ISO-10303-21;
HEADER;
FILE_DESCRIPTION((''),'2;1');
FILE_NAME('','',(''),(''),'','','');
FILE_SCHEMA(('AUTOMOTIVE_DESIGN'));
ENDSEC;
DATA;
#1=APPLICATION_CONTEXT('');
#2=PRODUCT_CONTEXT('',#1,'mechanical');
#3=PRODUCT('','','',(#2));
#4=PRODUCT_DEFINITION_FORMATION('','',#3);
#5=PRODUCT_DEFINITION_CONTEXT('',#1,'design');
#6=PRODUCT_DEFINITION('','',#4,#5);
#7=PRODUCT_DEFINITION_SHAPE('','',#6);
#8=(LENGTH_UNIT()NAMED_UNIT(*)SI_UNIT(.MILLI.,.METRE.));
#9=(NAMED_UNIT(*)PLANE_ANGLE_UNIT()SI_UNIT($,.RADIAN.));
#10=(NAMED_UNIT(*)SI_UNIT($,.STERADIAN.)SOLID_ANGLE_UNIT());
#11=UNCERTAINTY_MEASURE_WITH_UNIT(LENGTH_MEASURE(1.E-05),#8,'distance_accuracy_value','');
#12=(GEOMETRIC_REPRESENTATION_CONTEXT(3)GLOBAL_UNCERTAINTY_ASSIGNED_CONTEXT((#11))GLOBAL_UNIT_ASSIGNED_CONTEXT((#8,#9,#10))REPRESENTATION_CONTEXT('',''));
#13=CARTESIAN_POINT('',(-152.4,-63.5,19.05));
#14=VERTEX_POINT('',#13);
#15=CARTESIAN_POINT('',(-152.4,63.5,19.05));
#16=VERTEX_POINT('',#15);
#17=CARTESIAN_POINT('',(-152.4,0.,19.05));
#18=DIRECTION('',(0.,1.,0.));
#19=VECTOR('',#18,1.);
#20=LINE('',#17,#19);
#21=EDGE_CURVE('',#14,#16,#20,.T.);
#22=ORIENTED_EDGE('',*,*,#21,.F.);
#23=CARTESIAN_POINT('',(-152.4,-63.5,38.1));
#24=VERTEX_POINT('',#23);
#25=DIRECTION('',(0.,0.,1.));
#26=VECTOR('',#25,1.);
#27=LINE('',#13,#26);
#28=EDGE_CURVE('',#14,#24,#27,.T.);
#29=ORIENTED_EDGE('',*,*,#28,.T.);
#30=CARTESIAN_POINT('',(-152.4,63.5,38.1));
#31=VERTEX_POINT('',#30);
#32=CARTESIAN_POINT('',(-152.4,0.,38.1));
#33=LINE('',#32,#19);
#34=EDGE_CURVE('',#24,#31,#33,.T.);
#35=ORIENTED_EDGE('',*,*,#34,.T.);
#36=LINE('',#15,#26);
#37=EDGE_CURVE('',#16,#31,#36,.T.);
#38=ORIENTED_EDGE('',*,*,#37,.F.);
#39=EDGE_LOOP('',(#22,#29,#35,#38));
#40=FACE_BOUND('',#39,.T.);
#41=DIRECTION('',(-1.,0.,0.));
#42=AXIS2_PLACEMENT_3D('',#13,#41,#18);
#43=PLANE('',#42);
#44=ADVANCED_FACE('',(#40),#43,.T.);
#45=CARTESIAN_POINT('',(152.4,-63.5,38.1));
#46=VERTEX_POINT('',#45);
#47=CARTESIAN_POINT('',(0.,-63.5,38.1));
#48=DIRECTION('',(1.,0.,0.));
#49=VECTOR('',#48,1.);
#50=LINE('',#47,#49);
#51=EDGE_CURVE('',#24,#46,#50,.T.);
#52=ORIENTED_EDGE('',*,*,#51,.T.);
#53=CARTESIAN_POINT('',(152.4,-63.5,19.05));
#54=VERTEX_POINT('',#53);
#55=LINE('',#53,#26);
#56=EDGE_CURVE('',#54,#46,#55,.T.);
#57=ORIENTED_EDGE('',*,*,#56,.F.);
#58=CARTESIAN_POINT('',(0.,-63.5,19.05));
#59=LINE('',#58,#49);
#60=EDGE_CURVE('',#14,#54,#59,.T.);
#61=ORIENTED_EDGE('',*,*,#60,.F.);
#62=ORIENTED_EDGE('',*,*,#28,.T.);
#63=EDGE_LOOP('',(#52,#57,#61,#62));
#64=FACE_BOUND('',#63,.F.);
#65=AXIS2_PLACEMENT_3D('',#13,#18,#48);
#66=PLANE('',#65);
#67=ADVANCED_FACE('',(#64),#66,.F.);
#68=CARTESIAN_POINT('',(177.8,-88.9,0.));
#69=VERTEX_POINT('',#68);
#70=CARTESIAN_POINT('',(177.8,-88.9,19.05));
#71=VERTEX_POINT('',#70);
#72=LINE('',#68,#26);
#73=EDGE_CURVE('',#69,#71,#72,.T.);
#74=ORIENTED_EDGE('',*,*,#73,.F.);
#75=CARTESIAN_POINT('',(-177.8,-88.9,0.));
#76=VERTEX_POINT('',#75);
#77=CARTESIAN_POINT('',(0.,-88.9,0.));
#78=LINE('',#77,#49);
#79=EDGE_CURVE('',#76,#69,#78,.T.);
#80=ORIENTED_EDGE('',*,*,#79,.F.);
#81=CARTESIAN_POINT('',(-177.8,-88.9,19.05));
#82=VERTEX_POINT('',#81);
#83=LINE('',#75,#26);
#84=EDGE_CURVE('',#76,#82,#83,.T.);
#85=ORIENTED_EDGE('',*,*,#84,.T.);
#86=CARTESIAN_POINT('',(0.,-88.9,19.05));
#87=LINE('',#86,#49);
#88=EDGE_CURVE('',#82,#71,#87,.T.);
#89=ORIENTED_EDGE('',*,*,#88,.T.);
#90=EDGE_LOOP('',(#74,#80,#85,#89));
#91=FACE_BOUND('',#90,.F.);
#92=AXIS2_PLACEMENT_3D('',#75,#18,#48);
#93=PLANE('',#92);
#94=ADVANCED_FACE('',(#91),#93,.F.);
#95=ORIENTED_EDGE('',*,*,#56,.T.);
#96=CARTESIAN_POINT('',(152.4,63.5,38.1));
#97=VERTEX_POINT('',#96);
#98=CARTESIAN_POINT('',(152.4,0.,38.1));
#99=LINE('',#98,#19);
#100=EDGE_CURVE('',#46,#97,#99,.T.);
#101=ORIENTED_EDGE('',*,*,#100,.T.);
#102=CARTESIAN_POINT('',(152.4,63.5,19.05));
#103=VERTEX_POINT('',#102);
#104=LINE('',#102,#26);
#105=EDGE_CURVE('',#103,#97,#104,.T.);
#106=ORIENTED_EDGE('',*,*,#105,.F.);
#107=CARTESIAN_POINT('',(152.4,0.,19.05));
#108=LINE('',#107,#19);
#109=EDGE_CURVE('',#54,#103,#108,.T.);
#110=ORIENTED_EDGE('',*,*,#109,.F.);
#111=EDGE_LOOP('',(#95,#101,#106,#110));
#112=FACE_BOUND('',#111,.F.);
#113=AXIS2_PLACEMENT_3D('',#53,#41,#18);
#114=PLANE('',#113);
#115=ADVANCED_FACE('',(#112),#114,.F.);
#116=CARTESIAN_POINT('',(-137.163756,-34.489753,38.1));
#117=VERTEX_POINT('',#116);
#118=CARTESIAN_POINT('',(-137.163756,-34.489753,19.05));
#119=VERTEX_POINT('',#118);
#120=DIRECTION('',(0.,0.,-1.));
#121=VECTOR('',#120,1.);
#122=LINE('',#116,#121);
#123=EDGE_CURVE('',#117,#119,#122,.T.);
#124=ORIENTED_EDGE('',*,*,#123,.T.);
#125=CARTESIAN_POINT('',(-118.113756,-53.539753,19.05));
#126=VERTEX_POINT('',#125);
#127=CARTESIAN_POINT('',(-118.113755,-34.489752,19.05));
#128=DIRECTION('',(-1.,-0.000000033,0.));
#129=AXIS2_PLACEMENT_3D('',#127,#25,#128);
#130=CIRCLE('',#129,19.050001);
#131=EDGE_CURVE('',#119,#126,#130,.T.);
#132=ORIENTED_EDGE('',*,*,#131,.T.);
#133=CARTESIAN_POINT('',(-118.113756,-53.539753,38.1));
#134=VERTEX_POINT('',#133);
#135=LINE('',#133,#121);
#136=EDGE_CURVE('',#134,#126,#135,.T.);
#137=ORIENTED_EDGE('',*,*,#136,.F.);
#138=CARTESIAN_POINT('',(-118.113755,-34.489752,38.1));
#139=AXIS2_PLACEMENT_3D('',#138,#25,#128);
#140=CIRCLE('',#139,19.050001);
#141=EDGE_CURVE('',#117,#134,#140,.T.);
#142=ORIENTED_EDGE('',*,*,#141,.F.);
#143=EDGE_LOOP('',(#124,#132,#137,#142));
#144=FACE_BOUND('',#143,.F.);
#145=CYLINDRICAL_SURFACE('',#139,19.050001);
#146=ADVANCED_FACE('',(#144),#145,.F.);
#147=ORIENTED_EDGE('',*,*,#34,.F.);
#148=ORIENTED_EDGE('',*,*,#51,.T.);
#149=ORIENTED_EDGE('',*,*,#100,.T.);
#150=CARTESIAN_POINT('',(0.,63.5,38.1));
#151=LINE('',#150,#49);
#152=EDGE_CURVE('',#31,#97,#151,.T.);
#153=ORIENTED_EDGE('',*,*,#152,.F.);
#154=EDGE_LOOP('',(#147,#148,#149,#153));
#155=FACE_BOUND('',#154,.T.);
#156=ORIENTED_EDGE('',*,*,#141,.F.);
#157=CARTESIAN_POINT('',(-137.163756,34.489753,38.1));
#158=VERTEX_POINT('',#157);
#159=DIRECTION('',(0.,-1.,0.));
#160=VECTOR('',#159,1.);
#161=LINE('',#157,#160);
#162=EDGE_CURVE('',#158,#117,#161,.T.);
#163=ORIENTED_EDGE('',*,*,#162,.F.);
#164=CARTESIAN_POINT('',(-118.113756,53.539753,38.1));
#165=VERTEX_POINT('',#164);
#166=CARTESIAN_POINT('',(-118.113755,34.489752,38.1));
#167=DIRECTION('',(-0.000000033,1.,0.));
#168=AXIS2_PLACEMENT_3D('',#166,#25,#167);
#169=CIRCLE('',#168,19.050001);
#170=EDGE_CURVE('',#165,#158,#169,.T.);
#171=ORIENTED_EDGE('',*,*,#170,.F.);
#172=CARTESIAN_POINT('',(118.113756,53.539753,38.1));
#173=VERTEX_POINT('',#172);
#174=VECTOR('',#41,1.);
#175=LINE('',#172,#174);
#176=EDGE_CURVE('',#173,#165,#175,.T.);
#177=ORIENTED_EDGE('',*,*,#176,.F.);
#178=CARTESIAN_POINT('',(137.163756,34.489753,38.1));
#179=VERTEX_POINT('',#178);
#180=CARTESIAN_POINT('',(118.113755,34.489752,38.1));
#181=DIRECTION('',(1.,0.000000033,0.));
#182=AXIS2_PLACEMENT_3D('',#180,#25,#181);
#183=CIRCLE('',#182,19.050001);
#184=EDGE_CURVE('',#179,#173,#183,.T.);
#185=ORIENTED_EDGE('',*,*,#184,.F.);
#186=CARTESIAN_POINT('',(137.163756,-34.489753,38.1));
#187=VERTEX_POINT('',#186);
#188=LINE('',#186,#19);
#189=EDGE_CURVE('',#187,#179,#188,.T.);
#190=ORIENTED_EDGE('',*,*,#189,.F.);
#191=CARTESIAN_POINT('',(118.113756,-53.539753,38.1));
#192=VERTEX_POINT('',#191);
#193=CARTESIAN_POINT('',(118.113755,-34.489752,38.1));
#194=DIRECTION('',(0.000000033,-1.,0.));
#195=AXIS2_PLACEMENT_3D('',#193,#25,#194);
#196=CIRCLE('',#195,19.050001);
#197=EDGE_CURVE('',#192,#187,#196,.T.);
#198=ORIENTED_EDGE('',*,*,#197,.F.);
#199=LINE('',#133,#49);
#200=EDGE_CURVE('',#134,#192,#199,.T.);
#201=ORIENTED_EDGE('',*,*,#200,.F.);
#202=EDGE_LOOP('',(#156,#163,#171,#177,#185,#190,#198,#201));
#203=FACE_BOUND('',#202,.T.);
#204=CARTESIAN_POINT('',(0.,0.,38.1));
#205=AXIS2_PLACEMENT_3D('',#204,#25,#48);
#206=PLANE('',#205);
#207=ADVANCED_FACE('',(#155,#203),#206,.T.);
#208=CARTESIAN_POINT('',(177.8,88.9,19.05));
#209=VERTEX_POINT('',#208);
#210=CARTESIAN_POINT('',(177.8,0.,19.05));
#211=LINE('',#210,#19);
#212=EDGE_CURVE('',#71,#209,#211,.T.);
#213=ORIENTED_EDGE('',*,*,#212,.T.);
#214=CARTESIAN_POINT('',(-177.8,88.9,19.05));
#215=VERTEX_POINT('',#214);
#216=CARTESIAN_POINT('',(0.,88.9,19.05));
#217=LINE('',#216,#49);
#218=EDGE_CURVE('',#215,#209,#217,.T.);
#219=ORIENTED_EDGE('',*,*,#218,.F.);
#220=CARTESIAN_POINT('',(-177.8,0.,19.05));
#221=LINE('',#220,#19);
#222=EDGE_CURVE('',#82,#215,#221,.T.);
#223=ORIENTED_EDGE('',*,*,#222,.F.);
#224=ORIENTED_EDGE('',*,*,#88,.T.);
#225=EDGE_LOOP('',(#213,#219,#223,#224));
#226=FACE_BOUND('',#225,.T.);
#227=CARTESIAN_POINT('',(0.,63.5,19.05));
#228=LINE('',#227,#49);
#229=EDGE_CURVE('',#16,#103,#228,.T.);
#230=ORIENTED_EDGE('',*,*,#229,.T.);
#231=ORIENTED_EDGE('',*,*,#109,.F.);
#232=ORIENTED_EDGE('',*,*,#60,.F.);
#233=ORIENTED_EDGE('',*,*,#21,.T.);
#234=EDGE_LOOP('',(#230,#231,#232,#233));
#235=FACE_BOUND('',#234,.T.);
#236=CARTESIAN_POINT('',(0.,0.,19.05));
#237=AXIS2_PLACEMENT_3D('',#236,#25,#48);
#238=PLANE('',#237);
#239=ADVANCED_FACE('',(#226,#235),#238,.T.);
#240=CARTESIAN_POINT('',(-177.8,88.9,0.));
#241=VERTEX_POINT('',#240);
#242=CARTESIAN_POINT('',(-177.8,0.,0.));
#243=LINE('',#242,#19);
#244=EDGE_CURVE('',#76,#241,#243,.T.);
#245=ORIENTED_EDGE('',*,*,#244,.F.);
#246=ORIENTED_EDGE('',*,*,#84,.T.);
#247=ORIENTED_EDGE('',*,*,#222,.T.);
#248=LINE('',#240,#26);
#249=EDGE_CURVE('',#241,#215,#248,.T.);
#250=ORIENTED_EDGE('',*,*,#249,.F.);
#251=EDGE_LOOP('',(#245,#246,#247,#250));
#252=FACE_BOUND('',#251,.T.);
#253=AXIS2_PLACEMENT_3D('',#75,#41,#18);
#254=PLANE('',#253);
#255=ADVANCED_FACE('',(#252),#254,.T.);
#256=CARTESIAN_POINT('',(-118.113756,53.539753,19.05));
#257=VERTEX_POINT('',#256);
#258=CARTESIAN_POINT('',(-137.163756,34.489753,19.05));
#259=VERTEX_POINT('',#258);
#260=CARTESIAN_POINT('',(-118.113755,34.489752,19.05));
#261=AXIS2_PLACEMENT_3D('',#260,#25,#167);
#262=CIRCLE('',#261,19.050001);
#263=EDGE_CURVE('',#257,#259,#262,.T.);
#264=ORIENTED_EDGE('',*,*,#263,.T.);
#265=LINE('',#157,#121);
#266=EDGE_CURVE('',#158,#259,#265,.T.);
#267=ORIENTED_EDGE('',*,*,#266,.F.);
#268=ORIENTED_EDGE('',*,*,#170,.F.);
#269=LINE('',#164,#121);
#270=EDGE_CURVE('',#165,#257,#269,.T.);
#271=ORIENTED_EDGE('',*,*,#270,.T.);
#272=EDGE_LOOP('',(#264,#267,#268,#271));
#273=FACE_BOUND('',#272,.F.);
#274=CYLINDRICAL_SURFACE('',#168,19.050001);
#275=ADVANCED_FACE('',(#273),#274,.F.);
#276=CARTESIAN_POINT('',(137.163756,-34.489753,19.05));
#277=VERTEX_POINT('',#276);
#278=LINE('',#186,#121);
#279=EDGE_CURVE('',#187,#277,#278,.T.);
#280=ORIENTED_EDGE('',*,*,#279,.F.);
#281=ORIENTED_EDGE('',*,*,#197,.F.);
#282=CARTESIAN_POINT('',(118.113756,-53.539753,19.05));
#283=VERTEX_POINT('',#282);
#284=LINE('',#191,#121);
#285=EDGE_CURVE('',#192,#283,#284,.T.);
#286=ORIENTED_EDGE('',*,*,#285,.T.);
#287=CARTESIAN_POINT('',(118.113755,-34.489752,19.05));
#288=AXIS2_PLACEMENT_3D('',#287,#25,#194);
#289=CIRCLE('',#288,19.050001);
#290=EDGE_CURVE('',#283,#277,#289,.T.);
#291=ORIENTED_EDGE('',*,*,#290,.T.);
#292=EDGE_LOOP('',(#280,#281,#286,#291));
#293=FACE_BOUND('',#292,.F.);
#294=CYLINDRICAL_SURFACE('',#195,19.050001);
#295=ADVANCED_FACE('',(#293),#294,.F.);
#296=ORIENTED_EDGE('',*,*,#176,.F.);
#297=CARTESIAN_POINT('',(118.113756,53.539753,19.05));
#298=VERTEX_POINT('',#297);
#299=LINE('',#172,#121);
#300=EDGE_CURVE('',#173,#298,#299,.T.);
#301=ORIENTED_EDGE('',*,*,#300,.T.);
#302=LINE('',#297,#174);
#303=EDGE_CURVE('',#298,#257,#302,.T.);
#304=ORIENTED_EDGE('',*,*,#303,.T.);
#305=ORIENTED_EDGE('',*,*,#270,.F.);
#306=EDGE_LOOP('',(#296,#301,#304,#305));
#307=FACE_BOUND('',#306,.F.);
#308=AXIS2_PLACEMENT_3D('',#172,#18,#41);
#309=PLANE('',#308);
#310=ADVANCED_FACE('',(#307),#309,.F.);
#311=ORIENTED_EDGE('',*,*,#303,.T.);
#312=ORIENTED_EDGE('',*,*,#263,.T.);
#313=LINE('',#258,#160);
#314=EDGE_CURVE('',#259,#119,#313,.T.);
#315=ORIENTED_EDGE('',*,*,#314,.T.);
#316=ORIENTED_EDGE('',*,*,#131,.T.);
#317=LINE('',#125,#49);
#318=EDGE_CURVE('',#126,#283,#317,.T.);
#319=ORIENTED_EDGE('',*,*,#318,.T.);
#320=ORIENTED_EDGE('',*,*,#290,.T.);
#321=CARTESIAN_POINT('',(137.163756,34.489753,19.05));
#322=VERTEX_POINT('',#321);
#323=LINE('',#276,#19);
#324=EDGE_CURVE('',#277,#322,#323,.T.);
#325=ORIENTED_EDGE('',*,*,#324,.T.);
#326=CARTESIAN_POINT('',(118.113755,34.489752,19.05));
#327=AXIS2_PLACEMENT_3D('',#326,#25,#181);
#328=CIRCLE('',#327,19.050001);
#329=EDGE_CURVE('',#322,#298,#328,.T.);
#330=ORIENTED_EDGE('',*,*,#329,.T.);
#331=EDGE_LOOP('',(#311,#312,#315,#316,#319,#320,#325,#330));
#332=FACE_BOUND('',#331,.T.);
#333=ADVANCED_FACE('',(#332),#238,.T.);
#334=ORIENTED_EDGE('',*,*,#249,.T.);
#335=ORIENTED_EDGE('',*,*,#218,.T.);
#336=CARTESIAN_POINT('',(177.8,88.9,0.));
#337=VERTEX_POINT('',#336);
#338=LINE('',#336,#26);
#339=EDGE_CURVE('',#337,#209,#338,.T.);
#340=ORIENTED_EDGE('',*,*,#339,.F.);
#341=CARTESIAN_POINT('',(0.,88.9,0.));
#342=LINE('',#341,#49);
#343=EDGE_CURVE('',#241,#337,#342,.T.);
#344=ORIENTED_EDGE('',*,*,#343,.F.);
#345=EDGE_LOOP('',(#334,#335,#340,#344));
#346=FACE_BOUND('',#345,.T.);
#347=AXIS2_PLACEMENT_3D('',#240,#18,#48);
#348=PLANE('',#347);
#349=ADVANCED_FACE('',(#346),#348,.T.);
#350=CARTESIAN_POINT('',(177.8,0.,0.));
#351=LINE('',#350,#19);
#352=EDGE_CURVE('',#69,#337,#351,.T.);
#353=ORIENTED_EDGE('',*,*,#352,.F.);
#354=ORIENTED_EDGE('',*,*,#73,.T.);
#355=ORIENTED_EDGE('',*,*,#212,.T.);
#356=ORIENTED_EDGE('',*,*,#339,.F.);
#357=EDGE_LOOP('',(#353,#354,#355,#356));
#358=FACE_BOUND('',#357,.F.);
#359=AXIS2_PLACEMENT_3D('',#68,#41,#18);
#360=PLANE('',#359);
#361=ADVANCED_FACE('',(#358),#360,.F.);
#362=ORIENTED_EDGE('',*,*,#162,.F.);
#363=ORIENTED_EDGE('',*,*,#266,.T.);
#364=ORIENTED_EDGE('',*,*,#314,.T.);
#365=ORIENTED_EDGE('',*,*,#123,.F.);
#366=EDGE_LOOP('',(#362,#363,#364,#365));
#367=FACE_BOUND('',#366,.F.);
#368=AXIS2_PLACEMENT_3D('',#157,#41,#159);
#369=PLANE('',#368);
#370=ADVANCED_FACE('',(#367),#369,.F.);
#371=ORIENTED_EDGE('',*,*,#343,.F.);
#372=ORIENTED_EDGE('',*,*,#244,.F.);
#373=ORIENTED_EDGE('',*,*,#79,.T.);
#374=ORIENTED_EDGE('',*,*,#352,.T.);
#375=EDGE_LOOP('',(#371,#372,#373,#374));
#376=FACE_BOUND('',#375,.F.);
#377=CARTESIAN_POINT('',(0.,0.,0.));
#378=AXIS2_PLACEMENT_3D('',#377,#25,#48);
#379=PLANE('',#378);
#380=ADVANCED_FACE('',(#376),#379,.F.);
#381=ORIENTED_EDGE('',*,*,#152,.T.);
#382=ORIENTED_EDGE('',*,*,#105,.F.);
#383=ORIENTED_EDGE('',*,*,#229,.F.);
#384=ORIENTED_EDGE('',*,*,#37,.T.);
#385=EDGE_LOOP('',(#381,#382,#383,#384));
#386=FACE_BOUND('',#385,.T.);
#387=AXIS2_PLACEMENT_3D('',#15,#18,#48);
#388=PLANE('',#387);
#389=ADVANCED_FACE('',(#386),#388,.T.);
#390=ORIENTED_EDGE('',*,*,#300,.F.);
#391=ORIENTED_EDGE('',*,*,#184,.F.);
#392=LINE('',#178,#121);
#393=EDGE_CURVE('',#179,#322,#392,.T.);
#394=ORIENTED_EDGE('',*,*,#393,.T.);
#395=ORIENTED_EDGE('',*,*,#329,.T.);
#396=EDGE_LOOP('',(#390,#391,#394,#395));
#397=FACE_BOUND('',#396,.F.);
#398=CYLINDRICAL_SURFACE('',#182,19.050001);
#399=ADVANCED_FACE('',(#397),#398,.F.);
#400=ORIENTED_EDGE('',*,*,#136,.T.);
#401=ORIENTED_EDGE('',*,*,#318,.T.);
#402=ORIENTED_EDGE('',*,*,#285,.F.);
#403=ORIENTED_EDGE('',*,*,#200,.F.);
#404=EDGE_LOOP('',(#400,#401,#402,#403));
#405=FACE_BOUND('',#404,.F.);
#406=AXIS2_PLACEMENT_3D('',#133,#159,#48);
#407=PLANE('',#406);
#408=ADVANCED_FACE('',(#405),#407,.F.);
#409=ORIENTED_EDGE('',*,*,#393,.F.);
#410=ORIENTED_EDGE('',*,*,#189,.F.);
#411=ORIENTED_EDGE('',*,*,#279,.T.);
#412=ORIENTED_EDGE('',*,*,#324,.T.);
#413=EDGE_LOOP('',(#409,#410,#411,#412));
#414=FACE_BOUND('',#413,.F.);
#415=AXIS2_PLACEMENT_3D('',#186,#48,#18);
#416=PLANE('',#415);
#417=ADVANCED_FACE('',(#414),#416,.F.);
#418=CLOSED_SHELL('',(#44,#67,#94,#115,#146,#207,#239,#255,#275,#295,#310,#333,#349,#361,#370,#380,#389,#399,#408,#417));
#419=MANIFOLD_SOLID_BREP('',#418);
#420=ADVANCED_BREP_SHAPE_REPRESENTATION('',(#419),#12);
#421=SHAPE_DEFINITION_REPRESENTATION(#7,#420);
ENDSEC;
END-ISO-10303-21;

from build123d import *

# Parameters (mm, degrees)
F0_W     = 355.6
F0_H     = 177.8
F1_DEPTH = 19.05
F2_W     = 304.8
F2_H     = 127
F3_DEPTH = 19.05
F5_DEPTH = 19.05


with BuildPart() as f1:
    # F0 (on Top) → F1 (new body)
    with BuildSketch(Plane.XY):
        Rectangle(F0_W, F0_H)
    extrude(amount=F1_DEPTH)

    # F2 (on face) → F3 (join)
    with BuildSketch(Plane.XY.offset(19.05)):
        Rectangle(F2_W, F2_H)
    extrude(amount=F3_DEPTH)

    # F4 (on face) → F5 (cut)
    with BuildSketch(Plane.XY.offset(38.1)):
        with BuildLine():
            ThreePointArc((-137.163756, -34.489753), (-131.58414, -47.960137), (-118.113756, -53.539753))
            Line((-118.113756, -53.539753), (118.113756, -53.539753))
            ThreePointArc((118.113756, -53.539753), (131.58414, -47.960137), (137.163756, -34.489753))
            Line((137.163756, -34.489753), (137.163756, 34.489753))
            ThreePointArc((137.163756, 34.489753), (131.58414, 47.960137), (118.113756, 53.539753))
            Line((118.113756, 53.539753), (-118.113756, 53.539753))
            ThreePointArc((-118.113756, 53.539753), (-131.58414, 47.960137), (-137.163756, 34.489753))
            Line((-137.163756, 34.489753), (-137.163756, -34.489753))
        make_face()
    extrude(amount=-F5_DEPTH, mode=Mode.SUBTRACT)


solid = f1.part
